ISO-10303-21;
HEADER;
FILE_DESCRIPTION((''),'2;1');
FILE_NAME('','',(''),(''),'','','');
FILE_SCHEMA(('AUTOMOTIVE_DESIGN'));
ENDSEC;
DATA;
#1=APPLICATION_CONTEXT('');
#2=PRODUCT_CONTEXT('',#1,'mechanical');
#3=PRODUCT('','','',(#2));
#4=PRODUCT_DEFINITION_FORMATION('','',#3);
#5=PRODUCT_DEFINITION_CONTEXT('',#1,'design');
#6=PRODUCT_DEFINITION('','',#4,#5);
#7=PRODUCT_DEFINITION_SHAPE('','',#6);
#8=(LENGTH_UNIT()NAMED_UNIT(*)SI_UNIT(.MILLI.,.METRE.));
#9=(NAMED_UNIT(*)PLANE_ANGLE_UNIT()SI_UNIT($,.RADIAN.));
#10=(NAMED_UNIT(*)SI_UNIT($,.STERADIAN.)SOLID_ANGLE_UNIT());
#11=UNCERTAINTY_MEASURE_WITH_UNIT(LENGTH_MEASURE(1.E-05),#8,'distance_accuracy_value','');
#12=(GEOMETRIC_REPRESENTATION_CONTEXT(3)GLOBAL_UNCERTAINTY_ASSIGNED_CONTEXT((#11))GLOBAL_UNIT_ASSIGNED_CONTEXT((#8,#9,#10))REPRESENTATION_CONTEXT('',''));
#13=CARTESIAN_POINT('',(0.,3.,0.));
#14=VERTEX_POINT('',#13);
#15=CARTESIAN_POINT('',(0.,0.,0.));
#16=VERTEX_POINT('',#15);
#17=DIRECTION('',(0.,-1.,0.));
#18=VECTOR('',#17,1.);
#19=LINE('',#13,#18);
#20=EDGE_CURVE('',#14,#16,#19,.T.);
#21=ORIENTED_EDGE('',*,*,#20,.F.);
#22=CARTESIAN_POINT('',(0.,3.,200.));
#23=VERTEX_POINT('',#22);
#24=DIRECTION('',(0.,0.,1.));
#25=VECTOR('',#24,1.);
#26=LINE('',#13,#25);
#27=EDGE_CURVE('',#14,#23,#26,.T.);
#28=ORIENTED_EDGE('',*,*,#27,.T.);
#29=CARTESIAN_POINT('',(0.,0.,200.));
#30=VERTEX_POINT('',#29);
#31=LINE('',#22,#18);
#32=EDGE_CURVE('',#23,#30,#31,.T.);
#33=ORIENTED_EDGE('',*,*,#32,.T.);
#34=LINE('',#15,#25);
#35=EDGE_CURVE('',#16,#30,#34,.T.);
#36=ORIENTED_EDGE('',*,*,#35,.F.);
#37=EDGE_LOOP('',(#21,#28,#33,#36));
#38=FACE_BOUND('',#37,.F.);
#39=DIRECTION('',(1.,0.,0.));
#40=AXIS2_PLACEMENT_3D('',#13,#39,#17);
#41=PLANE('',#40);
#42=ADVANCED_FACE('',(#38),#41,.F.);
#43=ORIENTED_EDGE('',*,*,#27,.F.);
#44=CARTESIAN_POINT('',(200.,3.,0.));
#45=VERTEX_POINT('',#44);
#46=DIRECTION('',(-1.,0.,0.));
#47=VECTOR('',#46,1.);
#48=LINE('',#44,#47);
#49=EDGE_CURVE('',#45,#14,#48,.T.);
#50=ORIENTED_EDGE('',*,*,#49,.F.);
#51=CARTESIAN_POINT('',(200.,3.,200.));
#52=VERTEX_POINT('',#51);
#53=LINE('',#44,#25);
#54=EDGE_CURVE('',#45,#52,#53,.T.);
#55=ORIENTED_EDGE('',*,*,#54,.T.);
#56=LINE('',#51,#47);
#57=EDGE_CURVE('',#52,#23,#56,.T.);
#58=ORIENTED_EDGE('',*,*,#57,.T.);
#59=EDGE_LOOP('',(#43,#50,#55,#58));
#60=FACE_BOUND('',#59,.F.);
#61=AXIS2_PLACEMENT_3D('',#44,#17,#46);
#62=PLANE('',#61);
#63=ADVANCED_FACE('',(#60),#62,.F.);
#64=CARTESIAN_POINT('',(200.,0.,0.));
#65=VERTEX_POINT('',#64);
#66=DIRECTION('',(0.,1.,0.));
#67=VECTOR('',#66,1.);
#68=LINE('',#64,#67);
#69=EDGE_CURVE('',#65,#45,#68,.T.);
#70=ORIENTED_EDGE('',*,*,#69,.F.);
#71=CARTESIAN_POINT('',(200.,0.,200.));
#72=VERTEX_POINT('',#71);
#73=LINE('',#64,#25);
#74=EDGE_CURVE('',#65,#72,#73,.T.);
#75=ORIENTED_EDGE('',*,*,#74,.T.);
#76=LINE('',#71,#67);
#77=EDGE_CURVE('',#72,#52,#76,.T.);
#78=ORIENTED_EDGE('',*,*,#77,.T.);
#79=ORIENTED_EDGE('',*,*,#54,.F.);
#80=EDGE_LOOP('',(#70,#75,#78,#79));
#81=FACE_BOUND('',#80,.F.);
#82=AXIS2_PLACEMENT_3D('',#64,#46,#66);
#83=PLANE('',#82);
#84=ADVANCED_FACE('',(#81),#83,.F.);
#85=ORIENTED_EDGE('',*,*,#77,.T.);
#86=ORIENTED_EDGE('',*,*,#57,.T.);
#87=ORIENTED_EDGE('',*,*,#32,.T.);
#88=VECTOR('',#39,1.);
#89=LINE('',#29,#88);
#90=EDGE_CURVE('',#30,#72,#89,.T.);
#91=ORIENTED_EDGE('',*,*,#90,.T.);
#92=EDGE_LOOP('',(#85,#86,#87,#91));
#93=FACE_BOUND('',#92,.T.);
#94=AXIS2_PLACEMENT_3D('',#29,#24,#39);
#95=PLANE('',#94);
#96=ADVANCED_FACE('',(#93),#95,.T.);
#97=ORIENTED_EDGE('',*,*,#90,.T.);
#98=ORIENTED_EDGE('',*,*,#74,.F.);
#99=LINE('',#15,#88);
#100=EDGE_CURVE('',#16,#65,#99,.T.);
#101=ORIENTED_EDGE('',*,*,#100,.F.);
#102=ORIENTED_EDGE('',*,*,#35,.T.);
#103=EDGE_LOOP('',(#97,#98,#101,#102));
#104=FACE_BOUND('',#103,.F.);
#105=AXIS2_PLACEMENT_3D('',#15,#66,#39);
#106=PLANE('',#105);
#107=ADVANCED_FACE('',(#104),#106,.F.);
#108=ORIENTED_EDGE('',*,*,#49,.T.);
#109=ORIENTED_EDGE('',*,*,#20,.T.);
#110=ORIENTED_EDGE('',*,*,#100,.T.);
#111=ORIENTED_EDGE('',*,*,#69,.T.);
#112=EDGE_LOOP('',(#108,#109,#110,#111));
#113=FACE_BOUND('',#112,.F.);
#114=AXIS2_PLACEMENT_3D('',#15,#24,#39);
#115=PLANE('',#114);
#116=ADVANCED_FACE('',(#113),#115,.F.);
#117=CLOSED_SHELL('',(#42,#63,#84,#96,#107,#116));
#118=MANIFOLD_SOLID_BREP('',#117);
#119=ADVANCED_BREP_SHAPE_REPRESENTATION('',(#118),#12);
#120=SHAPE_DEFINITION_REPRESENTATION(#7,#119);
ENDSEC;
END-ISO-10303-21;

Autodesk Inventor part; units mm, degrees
ref_plane "YZ Plane" through (0, 0, 0) normal (1, 0, 0) x (0, 1, 0)
ref_plane "XZ Plane" through (0, 0, 0) normal (0, 1, 0) x (-1, 0, 0)
ref_plane "XY Plane" through (0, 0, 0) normal (0, 0, 1) x (1, 0, 0)
sketch "Esquisse3" plane through (0, 0, 0) normal (0, 0, 1) x (1, 0, 0)
  line L0 (0, 0) -> (200, 0)
  line L1 (200, 0) -> (200, 3)
  line L2 (200, 3) -> (0, 3)
  line L3 (0, 3) -> (0, 0)
  dimension "d0" = 200
  dimension "d1" = 3
extrude "Extrusion1" add sketch "Esquisse3" along normal blind 200
properties part number "face"
